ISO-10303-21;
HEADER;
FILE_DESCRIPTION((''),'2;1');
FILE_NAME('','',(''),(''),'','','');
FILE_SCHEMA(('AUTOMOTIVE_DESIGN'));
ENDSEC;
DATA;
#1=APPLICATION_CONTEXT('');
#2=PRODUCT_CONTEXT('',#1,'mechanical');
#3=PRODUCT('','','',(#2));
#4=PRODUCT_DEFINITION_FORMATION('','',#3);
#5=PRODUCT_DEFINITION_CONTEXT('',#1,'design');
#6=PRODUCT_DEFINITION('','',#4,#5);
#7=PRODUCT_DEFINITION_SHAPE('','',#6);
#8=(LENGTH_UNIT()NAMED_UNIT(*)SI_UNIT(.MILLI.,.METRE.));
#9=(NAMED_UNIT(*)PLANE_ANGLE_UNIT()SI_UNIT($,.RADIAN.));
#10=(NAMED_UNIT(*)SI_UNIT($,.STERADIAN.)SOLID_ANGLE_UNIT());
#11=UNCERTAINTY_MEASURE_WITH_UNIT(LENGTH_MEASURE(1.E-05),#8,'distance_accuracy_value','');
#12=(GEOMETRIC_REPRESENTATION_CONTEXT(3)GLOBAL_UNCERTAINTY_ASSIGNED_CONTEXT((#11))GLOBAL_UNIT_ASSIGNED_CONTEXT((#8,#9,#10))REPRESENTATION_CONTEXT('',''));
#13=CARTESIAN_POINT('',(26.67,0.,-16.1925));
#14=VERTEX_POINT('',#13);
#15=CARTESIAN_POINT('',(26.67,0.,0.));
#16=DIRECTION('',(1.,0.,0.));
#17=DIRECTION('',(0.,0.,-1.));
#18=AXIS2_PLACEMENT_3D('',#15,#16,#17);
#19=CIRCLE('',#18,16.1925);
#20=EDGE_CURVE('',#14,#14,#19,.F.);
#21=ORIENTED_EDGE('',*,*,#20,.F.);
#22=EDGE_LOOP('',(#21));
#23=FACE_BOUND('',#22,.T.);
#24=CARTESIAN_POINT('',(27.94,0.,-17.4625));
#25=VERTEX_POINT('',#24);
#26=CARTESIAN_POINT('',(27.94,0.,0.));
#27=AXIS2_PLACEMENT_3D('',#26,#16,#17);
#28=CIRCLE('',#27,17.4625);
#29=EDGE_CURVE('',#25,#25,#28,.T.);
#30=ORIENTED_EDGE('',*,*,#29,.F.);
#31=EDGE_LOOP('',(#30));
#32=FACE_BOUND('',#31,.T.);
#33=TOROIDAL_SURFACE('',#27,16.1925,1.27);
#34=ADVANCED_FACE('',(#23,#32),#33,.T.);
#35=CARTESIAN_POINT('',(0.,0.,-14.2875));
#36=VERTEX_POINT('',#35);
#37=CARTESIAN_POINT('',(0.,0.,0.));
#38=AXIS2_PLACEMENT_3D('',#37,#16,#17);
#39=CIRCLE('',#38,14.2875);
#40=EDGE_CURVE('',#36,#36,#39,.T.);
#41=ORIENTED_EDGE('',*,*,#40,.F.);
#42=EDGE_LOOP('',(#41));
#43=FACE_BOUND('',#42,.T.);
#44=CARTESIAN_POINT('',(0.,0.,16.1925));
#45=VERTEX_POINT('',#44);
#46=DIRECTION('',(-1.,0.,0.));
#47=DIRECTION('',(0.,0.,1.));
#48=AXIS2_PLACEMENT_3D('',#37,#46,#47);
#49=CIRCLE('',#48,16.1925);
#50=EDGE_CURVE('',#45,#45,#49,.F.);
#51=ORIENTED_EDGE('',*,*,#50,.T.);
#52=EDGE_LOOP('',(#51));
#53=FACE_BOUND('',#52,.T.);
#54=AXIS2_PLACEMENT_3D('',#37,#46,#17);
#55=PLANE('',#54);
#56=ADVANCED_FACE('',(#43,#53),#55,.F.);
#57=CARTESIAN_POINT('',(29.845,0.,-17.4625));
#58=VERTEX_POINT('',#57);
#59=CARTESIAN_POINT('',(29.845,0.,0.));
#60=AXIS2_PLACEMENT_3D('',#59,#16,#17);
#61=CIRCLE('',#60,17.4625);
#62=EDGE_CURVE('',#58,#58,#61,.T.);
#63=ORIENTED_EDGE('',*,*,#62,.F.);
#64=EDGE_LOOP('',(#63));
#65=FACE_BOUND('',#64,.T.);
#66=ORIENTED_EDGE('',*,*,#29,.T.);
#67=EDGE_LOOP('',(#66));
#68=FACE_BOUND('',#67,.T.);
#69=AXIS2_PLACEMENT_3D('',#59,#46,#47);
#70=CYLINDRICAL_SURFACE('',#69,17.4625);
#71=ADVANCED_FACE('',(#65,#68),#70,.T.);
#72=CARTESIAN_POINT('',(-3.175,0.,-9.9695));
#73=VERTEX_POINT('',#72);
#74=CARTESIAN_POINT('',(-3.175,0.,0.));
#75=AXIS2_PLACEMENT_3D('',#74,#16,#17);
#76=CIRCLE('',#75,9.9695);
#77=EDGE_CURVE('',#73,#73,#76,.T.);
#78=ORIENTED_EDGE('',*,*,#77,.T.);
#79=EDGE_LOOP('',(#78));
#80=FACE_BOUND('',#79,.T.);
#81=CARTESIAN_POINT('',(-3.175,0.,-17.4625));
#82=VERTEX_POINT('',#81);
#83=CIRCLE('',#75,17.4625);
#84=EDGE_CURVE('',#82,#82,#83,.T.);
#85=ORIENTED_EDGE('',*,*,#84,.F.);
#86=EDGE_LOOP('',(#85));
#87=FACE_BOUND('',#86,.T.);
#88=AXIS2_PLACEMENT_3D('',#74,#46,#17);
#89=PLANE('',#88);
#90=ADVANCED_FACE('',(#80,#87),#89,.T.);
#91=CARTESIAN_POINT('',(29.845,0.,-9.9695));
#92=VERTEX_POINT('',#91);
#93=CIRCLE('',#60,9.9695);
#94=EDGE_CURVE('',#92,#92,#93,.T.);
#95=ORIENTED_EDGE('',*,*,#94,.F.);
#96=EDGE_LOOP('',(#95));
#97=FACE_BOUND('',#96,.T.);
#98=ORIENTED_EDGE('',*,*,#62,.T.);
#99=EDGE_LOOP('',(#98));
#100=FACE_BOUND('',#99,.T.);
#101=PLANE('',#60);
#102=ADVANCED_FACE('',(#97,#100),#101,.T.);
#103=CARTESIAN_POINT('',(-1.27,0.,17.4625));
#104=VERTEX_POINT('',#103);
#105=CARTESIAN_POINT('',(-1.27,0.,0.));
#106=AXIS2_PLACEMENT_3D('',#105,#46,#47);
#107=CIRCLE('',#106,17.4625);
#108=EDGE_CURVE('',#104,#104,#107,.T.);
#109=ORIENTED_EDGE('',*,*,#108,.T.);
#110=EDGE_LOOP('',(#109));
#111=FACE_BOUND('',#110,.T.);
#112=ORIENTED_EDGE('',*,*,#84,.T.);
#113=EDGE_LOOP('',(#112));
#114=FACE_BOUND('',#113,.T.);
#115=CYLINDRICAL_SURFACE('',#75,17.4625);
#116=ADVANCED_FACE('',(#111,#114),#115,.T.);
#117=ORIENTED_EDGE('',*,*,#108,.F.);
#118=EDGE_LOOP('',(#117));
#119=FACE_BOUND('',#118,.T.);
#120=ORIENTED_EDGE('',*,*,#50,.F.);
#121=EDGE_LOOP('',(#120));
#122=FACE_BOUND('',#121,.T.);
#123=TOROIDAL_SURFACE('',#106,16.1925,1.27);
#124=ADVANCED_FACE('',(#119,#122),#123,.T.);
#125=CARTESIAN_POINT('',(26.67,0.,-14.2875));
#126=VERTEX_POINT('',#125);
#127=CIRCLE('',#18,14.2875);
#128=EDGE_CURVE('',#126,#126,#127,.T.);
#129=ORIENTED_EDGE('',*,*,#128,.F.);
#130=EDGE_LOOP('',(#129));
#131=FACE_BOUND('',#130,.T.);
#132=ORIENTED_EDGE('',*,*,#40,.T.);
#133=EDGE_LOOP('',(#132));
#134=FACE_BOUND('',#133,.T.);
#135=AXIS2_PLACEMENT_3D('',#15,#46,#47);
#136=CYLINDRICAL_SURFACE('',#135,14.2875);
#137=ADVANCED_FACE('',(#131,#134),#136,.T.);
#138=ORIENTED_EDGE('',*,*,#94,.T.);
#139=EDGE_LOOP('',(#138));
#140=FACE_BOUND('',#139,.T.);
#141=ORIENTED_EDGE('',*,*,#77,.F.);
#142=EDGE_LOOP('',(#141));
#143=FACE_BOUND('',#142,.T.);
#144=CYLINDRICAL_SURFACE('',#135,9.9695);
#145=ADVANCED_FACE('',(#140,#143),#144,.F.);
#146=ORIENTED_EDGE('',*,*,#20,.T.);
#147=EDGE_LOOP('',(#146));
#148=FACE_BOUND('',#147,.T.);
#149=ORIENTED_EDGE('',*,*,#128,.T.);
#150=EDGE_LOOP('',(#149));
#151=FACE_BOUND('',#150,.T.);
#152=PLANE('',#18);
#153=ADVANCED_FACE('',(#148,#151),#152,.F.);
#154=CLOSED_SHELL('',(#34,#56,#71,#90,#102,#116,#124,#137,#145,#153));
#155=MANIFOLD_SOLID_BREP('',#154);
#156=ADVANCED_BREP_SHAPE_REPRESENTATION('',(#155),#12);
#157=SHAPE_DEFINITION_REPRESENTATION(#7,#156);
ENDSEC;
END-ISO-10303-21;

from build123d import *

# Parameters (mm, degrees)
SKETCH1_R            = 14.2875
SKETCH1_R_2          = 9.9695
BOSS_EXTRUDE1_DEPTH  = 26.67
SKETCH2_R            = 17.4625
SKETCH2_R_2          = 9.9695
BOSS_EXTRUDE2_DEPTH  = 3.175
FILLET1_R            = 1.27
FILLET1_OF_MIRROR1_R = 1.27


with BuildPart() as part:
    # Sketch1 → Boss-Extrude1 (new body)
    with BuildSketch(Plane(origin=(0, 0, 0), x_dir=(0, 0, -1), z_dir=(1, 0, 0))):
        Circle(SKETCH1_R)
        Circle(SKETCH1_R_2, mode=Mode.SUBTRACT)
    extrude(amount=BOSS_EXTRUDE1_DEPTH)

    # Sketch2 → Boss-Extrude2 (add)
    with BuildSketch(Plane(origin=(26.67, 0, 0), x_dir=(0, 0, -1), z_dir=(1, 0, 0))):
        Circle(SKETCH2_R)
        Circle(SKETCH2_R_2, mode=Mode.SUBTRACT)
    boss_extrude2 = extrude(amount=BOSS_EXTRUDE2_DEPTH)

    # Fillet1
    fillet1_edges = [part.edges().sort_by_distance(p)[0] for p in [
        (26.67, 0, 17.4625),
    ]]
    fillet(fillet1_edges, radius=FILLET1_R)

    # Mirror1: Boss-Extrude2 across plane
    add(boss_extrude2.mirror(Plane.ZY.offset(-13.335)))

    # Fillet1 of Mirror1
    fillet1_of_mirror1_edges = [part.edges().sort_by_distance(p)[0] for p in [
        (0, 0, 17.4625),
    ]]
    fillet(fillet1_of_mirror1_edges, radius=FILLET1_OF_MIRROR1_R)


solid = part.part
